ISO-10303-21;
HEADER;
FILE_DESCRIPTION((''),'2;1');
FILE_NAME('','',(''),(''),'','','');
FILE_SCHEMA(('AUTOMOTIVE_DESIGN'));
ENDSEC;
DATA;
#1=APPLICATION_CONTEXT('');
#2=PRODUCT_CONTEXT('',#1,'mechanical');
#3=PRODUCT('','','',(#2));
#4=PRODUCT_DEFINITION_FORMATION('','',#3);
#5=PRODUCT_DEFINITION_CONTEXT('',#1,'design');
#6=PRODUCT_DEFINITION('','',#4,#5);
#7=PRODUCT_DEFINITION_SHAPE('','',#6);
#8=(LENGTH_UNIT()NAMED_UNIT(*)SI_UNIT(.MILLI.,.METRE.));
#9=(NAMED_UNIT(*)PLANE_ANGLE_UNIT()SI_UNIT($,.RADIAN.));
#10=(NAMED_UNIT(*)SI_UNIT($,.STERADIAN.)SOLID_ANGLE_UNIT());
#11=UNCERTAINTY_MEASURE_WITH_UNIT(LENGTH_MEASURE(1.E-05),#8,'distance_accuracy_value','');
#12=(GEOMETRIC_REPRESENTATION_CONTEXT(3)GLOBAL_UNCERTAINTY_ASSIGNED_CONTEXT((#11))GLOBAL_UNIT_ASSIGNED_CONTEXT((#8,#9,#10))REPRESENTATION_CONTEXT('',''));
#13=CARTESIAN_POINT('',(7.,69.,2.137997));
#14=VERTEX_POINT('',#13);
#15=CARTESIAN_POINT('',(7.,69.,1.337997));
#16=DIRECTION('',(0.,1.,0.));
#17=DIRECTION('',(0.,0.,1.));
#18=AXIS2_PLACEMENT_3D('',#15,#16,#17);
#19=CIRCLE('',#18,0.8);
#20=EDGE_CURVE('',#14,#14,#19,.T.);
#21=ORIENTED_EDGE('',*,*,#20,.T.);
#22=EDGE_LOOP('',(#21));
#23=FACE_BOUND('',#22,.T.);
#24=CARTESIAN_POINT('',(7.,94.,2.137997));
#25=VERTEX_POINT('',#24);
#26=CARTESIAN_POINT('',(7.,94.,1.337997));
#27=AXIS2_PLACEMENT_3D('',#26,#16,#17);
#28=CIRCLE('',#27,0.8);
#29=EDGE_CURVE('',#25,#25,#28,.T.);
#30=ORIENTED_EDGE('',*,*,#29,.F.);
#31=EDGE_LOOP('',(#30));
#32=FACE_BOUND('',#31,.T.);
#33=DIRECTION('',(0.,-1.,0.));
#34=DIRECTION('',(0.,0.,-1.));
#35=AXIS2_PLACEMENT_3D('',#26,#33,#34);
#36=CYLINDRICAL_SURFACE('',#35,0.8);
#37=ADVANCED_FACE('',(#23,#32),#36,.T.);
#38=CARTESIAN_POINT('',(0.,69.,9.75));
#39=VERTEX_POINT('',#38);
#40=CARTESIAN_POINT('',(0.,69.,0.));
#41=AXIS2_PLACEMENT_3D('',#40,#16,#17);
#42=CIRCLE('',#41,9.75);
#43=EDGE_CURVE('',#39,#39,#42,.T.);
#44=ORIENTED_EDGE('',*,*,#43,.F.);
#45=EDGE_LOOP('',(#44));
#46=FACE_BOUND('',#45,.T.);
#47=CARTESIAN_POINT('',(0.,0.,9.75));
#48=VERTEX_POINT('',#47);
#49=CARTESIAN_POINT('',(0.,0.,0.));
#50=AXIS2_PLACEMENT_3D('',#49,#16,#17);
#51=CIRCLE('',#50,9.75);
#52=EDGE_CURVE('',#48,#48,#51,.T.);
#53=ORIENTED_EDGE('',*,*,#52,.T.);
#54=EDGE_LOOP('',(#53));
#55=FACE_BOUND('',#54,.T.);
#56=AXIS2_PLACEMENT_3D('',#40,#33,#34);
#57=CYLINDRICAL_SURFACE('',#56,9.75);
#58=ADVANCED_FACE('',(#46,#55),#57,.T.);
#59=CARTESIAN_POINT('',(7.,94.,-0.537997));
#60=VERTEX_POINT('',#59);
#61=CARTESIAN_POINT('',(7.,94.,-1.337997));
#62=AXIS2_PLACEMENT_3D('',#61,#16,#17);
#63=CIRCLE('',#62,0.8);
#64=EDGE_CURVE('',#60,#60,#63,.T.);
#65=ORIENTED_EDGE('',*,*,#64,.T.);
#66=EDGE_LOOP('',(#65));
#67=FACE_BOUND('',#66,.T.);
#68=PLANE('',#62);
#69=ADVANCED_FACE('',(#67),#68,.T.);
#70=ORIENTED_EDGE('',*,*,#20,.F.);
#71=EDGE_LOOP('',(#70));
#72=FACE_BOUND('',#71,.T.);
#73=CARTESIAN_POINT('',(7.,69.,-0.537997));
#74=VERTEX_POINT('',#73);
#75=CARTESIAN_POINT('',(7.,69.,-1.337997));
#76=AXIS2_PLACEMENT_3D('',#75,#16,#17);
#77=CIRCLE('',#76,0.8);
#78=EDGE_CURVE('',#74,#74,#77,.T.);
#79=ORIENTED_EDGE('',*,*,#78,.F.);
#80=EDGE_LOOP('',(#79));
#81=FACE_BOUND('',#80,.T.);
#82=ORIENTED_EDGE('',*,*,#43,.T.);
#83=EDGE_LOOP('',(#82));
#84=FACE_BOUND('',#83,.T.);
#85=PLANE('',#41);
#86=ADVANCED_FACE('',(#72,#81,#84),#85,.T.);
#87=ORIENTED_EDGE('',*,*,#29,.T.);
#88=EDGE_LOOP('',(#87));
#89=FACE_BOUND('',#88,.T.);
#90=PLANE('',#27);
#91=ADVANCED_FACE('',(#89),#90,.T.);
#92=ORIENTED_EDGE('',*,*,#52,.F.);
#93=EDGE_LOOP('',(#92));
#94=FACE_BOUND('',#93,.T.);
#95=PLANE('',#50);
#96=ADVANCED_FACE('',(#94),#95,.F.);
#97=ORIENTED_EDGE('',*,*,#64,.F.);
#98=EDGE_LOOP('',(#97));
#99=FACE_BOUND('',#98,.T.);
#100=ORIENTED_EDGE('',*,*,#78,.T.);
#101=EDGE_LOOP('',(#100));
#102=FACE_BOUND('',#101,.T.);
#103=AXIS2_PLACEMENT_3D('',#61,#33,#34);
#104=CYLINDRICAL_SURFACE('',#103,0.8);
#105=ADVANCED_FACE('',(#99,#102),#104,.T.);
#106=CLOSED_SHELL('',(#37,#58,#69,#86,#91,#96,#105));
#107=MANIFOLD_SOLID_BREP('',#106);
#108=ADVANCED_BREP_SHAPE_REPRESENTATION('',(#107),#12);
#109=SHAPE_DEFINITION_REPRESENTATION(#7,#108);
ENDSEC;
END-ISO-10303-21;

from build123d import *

# Parameters (mm, degrees)
SKETCH1_R           = 9.75
BOSS_EXTRUDE1_DEPTH = 69
SKETCH2_R           = 0.8
BOSS_EXTRUDE2_DEPTH = 25


with BuildPart() as part:
    # Sketch1 → Boss-Extrude1 (new body)
    with BuildSketch(Plane(origin=(0, 0, 0), x_dir=(1, 0, 0), z_dir=(0, 1, 0))):
        with Locations(Location((0, 0, 0), (0, 0, 270))):
            Circle(SKETCH1_R)
    extrude(amount=BOSS_EXTRUDE1_DEPTH)

    # Sketch2 → Boss-Extrude2 (add)
    with BuildSketch(Plane(origin=(0, 69, 0), x_dir=(1, 0, 0), z_dir=(0, 1, 0))):
        with Locations(Location((7, 1.337997216, 0), (0, 0, 270))):
            Circle(SKETCH2_R)
        with Locations(Location((7, -1.337997216, 0), (0, 0, 270))):
            Circle(SKETCH2_R)
    extrude(amount=BOSS_EXTRUDE2_DEPTH)


solid = part.part
